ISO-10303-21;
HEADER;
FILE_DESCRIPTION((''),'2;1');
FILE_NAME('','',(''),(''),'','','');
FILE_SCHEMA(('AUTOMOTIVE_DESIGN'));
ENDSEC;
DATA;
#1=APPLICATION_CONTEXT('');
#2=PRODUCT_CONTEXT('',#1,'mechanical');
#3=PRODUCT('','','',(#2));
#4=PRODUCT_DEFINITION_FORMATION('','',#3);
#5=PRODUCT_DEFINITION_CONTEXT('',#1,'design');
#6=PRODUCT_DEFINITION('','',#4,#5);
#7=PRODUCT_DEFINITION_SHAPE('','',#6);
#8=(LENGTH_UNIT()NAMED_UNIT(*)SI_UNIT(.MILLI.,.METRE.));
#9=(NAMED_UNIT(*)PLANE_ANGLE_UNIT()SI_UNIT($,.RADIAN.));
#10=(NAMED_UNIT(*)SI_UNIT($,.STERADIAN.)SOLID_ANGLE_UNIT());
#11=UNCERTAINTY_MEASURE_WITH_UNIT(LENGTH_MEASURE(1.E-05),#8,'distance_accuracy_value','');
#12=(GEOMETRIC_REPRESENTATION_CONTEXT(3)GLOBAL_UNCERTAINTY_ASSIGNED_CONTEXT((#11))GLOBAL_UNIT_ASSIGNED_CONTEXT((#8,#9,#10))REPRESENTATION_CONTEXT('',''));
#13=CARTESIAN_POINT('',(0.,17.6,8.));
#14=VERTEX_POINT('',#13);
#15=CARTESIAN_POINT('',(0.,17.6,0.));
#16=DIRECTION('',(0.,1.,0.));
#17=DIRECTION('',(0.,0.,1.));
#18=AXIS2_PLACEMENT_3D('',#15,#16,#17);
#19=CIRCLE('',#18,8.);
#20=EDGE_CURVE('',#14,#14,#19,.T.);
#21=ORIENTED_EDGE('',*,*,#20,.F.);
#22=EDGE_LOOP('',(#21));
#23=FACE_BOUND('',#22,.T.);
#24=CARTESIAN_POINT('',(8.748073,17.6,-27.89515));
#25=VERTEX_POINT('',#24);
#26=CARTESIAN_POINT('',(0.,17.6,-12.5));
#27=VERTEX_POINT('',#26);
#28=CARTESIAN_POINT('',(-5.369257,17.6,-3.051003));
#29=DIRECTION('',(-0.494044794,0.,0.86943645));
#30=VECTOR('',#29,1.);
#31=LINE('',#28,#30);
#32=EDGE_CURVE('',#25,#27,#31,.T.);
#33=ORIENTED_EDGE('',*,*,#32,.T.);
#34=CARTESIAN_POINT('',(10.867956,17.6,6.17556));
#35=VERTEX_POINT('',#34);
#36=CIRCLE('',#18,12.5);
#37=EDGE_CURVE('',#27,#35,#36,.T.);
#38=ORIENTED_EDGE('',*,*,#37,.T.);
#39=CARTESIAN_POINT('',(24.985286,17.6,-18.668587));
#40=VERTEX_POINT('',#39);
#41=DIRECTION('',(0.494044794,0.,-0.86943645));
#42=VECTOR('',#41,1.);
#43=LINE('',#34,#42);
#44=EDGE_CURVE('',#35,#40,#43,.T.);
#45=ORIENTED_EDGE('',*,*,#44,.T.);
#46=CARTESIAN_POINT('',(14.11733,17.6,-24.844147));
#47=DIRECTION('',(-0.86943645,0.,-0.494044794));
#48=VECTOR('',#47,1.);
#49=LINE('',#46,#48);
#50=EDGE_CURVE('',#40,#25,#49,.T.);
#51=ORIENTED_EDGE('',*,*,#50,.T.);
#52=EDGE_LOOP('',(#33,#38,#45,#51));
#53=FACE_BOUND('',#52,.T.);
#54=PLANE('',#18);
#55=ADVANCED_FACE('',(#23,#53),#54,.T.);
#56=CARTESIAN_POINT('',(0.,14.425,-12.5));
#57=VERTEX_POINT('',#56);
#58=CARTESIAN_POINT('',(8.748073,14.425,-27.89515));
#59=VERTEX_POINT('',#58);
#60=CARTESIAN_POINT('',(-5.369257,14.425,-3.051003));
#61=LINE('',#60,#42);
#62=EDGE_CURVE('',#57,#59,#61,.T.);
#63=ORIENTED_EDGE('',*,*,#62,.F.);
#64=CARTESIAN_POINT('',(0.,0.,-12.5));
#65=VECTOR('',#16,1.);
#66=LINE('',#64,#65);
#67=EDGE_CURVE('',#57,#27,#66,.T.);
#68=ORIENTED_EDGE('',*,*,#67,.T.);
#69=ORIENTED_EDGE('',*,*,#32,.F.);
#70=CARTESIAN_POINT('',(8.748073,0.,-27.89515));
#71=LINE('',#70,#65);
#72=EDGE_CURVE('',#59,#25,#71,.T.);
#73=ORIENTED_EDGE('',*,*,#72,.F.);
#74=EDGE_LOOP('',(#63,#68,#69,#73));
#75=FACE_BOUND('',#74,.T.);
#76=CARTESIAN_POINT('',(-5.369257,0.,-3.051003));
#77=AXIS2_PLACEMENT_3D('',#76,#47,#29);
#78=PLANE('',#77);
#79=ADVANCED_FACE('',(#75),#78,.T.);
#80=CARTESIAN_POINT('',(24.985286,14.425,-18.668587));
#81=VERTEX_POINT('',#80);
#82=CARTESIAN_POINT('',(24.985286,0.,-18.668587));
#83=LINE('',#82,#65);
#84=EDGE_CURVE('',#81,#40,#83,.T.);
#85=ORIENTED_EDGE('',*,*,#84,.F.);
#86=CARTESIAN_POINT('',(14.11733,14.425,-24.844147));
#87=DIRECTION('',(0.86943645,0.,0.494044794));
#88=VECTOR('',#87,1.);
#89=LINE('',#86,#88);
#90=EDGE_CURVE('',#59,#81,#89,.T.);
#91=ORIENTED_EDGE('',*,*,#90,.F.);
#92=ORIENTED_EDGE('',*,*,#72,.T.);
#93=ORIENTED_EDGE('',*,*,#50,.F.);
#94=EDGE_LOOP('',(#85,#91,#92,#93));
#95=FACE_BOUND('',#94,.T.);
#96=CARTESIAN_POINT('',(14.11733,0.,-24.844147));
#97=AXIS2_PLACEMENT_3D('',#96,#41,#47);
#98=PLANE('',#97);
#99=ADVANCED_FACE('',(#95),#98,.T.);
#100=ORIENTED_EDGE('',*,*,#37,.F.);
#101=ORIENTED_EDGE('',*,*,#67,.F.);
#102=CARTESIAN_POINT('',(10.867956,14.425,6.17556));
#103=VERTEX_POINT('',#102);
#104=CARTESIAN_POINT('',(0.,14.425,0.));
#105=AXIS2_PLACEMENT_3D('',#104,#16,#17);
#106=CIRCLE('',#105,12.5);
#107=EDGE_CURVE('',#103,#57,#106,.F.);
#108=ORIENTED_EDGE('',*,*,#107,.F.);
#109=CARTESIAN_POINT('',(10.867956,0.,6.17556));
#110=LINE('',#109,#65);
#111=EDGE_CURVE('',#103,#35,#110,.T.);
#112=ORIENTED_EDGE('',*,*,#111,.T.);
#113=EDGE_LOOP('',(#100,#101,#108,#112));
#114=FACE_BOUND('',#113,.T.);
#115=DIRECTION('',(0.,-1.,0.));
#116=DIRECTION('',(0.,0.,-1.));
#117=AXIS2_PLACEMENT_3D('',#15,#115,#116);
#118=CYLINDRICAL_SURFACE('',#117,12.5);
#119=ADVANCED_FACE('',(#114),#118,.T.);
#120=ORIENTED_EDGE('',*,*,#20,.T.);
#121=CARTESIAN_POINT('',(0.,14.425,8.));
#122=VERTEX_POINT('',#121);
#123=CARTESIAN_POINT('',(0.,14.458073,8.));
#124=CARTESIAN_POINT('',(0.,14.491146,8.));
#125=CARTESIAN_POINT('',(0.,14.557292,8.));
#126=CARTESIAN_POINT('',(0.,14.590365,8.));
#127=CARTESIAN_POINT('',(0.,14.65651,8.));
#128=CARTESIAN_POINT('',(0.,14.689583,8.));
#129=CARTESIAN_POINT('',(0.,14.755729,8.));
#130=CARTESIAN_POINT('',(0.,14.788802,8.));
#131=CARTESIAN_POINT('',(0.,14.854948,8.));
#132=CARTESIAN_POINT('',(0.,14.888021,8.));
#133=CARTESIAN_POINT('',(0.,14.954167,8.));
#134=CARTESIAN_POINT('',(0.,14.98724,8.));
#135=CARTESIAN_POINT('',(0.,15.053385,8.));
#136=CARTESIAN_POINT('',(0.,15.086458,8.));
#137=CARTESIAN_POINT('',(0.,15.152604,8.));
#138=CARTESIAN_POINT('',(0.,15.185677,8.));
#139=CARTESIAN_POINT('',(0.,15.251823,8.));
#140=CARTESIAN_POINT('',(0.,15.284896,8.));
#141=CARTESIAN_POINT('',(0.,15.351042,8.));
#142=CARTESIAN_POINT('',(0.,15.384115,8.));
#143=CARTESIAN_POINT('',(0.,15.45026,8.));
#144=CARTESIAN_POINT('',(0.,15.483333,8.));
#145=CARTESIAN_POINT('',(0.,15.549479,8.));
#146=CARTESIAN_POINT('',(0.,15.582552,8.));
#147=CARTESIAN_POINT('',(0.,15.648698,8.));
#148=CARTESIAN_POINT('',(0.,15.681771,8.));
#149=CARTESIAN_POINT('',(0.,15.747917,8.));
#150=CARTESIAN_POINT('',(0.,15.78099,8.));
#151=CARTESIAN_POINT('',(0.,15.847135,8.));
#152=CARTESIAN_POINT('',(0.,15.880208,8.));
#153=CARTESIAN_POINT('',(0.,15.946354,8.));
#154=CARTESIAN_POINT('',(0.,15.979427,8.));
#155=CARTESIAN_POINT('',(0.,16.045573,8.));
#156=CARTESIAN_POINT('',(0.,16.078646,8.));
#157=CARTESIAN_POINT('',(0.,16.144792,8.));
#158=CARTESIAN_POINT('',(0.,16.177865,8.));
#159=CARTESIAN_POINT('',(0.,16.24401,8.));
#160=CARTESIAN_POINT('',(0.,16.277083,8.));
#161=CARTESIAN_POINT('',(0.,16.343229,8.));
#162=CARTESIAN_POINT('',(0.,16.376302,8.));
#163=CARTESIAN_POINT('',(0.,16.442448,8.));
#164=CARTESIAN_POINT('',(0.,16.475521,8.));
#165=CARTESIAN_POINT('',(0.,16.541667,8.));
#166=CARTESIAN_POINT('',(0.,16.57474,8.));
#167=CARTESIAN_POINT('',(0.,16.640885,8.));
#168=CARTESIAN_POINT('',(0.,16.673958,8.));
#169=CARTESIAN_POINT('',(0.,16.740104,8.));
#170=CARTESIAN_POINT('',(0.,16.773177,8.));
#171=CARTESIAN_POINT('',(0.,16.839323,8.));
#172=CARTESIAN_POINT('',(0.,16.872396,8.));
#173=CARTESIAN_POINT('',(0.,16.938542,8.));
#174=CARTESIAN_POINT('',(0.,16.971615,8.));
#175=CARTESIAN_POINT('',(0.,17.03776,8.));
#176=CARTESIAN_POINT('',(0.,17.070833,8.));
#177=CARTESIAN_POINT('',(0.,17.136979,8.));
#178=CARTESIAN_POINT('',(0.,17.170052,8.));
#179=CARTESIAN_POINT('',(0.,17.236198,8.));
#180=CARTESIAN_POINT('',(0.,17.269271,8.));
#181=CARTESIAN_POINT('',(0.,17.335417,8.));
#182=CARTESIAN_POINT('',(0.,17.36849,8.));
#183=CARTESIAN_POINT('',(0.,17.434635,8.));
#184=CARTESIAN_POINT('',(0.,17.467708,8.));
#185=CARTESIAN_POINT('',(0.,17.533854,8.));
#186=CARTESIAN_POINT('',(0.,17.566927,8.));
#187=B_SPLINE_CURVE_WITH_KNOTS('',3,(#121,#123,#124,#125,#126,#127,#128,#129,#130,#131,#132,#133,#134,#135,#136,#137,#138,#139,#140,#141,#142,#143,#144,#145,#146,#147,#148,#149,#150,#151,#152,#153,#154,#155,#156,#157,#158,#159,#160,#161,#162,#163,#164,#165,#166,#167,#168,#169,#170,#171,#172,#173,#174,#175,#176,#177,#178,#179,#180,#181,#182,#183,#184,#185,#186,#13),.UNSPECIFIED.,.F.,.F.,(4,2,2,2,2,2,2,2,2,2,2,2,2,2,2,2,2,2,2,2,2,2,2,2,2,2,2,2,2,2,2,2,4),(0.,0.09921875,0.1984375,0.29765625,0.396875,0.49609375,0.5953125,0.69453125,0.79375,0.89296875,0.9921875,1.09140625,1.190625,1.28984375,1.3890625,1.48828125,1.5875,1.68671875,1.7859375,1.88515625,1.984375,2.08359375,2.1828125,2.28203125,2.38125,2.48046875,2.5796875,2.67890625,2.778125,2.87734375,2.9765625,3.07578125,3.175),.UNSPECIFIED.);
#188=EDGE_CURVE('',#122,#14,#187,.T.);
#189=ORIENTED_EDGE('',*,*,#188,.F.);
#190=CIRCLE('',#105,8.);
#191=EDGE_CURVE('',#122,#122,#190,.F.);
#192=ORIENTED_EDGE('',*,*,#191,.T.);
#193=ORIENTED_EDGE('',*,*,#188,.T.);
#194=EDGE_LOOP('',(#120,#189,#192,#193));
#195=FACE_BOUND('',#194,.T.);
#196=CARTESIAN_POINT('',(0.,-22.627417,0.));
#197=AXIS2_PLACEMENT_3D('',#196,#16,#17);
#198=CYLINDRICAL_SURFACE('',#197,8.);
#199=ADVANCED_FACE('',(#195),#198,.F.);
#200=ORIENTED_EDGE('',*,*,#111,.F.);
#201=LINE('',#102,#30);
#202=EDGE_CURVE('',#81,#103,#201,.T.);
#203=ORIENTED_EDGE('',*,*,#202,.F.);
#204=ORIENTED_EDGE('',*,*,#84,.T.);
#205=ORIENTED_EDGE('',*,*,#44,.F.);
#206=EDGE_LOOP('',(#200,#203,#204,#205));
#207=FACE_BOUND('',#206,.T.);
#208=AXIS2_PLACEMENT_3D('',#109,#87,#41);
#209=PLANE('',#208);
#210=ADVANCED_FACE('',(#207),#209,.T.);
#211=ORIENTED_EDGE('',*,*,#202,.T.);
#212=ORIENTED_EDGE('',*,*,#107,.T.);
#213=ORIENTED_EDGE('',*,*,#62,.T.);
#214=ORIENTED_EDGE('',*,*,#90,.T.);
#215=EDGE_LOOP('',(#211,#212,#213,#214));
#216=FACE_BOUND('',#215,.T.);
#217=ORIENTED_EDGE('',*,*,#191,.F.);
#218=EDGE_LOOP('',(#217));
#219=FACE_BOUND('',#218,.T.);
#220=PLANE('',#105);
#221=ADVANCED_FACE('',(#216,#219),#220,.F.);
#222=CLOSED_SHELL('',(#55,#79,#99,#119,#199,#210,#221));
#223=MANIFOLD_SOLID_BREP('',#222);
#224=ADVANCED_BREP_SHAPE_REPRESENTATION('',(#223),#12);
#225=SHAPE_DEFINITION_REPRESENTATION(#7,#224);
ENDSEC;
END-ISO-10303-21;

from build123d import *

# Parameters (mm, degrees)
SKETCH1_R           = 12.5
BOSS_EXTRUDE1_DEPTH = 17.6
SKETCH2_R           = 5.5
CUT_EXTRUDE1_DEPTH  = 50.8
SKETCH3_R           = 8
CUT_EXTRUDE3_DEPTH  = 15.6
BOSS_EXTRUDE2_DEPTH = 17.6
SKETCH6_R           = 8
SKETCH6_R_2         = 5.5
CUT_EXTRUDE5_DEPTH  = 14.425


with BuildPart() as part:
    # Sketch1 → Boss-Extrude1 (new body)
    with BuildSketch(Plane(origin=(0, 0, 0), x_dir=(1, 0, 0), z_dir=(0, 1, 0))):
        with Locations(Location((0, 0, 0), (0, 0, 270))):
            Circle(SKETCH1_R)
    extrude(amount=BOSS_EXTRUDE1_DEPTH)

    # Sketch2 → Cut-Extrude1 (cut)
    with BuildSketch(Plane(origin=(0, 17.6, 0), x_dir=(1, 0, 0), z_dir=(0, 1, 0))):
        with Locations(Location((0, 0, 0), (0, 0, 270))):
            Circle(SKETCH2_R)
    extrude(amount=-CUT_EXTRUDE1_DEPTH, mode=Mode.SUBTRACT)

    # Sketch3 → Cut-Extrude3 (cut)
    with BuildSketch(Plane(origin=(0, 17.6, 0), x_dir=(1, 0, 0), z_dir=(0, 1, 0))):
        with Locations(Location((0, 0, 0), (0, 0, 270))):
            Circle(SKETCH3_R)
    extrude(amount=-CUT_EXTRUDE3_DEPTH, mode=Mode.SUBTRACT)

    # Sketch5 → Boss-Extrude2 (add, through all)
    with BuildSketch(Plane(origin=(0, 17.6, 0), x_dir=(1, 0, 0), z_dir=(0, 1, 0))):
        with BuildLine():
            ThreePointArc((12.5, 0), (12.085103338, -3.193787298), (10.867955631, -6.175559927))
            Line((10.867955631, -6.175559927), (24.985285623, 18.668586645))
            Line((24.985285623, 18.668586645), (8.74807309, 27.895149805))
            Line((8.74807309, 27.895149805), (0, 12.5))
            ThreePointArc((0, 12.5), (8.838834765, 8.838834765), (12.5, 0))
        make_face()
    extrude(amount=-BOSS_EXTRUDE2_DEPTH)

    # Sketch6 → Cut-Extrude5 (cut)
    with BuildSketch(Plane.XZ):
        with BuildLine():
            Line((24.985285623, -18.668586645), (10.867955631, 6.175559927))
            ThreePointArc((10.867955631, 6.175559927), (-10.803807178, 6.287109865), (0, -12.5))
            Line((0, -12.5), (8.74807309, -27.895149805))
            Line((8.74807309, -27.895149805), (24.985285623, -18.668586645))
        make_face()
        with Locations(Location((0, 0, 0), (0, 0, 90))):
            Circle(SKETCH6_R, mode=Mode.SUBTRACT)
        with Locations(Location((0, 0, 0), (0, 0, 90))):
            Circle(SKETCH6_R)
        Circle(SKETCH6_R_2, mode=Mode.SUBTRACT)
    extrude(amount=-CUT_EXTRUDE5_DEPTH, mode=Mode.SUBTRACT)


solid = part.part
